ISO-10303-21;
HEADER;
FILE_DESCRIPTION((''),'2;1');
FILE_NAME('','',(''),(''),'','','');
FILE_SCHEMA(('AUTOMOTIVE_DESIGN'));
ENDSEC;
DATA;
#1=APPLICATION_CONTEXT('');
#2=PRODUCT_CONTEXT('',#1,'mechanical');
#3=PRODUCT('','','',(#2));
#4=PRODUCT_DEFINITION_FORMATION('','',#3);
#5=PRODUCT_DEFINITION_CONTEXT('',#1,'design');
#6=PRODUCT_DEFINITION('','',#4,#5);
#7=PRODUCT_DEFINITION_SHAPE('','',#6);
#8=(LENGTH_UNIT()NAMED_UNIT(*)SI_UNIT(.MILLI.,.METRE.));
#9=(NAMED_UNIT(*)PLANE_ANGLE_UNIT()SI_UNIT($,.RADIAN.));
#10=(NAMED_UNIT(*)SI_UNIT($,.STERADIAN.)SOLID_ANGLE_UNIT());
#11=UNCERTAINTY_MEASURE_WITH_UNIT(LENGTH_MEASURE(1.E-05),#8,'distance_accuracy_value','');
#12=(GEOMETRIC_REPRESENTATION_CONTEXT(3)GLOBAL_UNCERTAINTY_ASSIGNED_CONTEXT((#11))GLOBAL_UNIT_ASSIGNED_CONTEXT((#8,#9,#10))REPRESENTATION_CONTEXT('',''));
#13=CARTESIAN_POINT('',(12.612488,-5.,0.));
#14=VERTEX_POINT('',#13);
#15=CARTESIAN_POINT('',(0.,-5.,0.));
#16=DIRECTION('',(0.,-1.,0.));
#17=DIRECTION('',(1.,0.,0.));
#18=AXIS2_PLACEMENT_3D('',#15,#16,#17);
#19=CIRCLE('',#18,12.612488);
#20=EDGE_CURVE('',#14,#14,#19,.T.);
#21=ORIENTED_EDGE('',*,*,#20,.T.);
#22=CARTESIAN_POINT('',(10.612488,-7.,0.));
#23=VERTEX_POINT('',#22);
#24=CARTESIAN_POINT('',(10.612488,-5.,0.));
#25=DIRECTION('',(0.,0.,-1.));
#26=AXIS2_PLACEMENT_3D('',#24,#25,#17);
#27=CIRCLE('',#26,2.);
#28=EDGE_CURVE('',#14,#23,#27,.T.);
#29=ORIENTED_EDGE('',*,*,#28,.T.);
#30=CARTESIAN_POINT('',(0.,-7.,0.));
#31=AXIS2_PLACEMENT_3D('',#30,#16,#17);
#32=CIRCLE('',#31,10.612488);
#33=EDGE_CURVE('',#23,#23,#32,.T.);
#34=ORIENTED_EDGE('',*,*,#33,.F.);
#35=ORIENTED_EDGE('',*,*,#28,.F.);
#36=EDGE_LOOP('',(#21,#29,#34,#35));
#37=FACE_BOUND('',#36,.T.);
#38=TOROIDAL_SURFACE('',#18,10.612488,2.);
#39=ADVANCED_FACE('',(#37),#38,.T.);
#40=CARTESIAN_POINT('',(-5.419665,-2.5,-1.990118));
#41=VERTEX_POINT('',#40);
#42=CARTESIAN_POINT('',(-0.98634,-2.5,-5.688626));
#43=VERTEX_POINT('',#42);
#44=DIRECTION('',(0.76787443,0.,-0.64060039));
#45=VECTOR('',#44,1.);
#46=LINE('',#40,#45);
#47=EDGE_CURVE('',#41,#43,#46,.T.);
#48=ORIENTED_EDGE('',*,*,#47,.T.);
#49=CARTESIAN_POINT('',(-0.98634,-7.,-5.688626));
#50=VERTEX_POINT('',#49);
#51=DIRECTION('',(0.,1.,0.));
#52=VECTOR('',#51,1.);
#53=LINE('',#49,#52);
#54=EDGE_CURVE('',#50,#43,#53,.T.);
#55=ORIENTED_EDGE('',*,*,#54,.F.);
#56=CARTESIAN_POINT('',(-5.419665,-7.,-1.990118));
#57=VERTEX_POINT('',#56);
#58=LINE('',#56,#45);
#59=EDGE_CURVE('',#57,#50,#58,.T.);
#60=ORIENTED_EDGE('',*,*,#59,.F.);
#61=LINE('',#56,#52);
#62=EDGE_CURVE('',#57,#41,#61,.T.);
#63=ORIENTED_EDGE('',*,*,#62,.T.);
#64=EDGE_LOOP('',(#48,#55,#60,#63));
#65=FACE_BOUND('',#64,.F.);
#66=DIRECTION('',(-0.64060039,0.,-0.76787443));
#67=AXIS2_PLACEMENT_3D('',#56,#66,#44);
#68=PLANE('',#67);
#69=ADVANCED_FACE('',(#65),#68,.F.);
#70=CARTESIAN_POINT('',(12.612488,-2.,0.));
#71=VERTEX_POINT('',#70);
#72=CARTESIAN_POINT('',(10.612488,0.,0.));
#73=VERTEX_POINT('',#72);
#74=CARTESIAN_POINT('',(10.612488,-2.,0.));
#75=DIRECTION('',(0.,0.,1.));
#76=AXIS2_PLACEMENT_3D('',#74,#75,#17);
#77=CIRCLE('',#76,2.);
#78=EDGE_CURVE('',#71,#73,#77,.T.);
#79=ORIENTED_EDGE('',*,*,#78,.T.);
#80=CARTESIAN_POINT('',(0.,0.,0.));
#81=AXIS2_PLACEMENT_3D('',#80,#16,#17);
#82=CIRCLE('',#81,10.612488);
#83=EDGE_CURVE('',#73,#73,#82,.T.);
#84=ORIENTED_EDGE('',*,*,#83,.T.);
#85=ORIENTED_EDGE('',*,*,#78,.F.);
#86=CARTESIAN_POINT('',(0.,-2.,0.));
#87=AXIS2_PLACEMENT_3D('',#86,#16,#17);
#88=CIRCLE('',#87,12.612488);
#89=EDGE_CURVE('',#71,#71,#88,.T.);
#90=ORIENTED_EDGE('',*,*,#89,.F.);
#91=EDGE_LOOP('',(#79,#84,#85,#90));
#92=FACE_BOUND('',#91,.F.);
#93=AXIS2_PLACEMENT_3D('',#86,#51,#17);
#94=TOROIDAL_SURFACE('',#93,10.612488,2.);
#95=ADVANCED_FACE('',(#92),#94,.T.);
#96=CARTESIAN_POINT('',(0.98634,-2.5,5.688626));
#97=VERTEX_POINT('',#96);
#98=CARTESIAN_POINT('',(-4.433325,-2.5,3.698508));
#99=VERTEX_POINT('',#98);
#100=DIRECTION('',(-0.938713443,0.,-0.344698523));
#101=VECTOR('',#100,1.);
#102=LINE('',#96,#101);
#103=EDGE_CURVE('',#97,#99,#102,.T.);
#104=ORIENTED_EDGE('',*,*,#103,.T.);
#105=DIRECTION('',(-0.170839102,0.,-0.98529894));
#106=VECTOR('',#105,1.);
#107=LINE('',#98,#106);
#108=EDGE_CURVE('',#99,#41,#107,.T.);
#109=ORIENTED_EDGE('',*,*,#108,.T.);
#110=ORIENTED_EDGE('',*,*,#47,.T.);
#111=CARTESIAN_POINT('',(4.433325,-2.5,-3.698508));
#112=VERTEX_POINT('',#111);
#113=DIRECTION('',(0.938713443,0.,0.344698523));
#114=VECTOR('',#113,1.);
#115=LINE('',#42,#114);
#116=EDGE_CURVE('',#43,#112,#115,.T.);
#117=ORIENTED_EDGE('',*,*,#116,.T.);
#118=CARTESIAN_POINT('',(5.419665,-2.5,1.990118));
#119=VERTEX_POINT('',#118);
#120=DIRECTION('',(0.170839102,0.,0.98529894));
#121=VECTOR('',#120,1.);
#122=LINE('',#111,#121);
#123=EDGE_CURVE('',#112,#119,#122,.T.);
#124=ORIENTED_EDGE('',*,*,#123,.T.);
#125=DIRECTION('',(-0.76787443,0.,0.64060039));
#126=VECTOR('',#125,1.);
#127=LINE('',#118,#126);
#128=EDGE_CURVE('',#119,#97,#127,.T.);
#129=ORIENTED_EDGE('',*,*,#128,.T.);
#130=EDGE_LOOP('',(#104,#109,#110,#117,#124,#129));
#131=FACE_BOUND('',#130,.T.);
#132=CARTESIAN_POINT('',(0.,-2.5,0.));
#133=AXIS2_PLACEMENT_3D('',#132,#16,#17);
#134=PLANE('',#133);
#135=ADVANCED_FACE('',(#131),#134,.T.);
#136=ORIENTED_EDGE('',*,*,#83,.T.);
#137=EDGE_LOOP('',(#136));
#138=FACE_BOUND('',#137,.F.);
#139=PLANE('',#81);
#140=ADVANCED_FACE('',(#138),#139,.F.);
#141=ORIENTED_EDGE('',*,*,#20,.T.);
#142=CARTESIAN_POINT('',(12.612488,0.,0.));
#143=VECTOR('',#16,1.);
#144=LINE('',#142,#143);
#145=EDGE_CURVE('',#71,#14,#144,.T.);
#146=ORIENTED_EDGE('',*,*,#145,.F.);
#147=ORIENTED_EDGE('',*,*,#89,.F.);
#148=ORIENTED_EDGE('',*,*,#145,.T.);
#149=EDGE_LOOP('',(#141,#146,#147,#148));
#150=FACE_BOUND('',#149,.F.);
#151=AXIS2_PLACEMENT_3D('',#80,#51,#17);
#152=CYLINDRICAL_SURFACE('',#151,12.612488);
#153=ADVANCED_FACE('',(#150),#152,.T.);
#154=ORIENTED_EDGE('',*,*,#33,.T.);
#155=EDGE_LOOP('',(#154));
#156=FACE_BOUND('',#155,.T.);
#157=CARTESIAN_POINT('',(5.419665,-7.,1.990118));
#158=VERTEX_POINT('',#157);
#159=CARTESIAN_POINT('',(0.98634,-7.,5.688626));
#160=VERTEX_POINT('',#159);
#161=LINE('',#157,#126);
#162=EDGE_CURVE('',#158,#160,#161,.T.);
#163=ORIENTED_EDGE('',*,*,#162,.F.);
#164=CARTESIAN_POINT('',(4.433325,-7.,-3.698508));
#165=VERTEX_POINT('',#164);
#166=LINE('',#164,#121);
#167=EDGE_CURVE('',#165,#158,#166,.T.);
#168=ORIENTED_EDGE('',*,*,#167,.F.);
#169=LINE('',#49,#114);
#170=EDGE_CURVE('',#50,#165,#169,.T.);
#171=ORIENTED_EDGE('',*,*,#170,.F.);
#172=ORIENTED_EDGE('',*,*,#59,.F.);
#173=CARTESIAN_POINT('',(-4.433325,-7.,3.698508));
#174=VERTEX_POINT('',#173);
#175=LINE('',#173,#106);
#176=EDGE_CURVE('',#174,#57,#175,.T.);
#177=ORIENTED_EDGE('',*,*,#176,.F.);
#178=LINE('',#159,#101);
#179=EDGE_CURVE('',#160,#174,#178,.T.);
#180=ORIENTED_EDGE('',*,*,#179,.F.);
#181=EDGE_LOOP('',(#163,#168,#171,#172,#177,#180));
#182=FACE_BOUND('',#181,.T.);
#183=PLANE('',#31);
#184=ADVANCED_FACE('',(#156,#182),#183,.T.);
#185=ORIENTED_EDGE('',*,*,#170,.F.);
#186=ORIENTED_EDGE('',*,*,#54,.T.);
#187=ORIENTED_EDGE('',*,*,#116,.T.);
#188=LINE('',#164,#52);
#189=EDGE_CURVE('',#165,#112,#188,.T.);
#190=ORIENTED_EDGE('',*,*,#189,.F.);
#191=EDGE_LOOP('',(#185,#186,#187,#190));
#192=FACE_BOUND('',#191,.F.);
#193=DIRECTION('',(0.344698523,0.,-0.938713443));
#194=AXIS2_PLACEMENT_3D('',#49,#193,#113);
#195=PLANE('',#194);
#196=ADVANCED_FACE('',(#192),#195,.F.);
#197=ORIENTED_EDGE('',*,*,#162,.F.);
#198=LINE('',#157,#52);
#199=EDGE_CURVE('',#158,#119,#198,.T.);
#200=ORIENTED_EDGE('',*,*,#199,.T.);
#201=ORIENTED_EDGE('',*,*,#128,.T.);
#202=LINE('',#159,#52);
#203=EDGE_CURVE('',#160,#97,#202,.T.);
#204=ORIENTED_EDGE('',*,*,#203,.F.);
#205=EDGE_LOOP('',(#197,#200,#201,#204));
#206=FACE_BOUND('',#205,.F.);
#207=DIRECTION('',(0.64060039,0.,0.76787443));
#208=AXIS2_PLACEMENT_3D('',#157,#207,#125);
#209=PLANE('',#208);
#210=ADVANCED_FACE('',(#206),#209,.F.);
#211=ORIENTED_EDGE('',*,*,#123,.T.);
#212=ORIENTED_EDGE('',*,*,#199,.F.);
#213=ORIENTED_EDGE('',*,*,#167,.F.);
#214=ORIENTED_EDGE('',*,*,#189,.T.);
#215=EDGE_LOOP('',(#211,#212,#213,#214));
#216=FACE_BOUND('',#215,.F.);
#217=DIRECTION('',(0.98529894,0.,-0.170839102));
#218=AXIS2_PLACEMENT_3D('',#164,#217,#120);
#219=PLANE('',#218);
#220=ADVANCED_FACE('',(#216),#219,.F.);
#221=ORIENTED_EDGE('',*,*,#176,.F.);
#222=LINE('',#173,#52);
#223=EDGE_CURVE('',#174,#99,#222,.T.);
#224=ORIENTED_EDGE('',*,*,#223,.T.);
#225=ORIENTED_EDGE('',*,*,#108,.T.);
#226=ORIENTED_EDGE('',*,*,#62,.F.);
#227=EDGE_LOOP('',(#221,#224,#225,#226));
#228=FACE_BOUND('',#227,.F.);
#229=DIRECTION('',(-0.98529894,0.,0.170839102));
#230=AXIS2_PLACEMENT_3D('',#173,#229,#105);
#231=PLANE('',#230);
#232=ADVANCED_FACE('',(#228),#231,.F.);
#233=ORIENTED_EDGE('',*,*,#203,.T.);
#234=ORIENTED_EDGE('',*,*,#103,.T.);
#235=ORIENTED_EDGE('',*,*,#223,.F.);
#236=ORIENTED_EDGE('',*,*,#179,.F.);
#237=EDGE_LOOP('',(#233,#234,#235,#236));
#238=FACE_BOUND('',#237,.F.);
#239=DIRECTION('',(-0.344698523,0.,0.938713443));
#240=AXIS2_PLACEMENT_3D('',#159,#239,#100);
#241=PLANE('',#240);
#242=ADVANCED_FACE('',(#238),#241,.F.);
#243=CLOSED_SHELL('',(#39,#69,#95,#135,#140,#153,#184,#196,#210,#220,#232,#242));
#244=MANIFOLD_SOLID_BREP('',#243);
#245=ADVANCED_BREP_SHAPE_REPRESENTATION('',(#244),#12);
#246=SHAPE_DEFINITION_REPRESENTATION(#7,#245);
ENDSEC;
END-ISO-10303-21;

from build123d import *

# Parameters (mm, degrees)
F0_R     = 12.612488
F1_DEPTH = 7
F3_DEPTH = 4.5
F4_R     = 2


with BuildPart() as f1:
    # F0 (on Front) → F1 (new body)
    with BuildSketch(Plane.XZ):
        Circle(F0_R)
    extrude(amount=F1_DEPTH)

    # F2 (on face) → F3 (cut)
    with BuildSketch(Plane.XZ.offset(7)):
        Polygon((4.433325, -3.698508), (5.419665, 1.990118), (0.98634, 5.688626), (-4.433325, 3.698508), (-5.419665, -1.990118), (-0.98634, -5.688626), align=None)
    extrude(amount=-F3_DEPTH, mode=Mode.SUBTRACT)

    # F4
    f4_edges = [f1.edges().sort_by_distance(p)[0] for p in [
        (-12.612488, -7, 0),
        (-12.612488, 0, 0),
    ]]
    fillet(f4_edges, radius=F4_R)


solid = f1.part
